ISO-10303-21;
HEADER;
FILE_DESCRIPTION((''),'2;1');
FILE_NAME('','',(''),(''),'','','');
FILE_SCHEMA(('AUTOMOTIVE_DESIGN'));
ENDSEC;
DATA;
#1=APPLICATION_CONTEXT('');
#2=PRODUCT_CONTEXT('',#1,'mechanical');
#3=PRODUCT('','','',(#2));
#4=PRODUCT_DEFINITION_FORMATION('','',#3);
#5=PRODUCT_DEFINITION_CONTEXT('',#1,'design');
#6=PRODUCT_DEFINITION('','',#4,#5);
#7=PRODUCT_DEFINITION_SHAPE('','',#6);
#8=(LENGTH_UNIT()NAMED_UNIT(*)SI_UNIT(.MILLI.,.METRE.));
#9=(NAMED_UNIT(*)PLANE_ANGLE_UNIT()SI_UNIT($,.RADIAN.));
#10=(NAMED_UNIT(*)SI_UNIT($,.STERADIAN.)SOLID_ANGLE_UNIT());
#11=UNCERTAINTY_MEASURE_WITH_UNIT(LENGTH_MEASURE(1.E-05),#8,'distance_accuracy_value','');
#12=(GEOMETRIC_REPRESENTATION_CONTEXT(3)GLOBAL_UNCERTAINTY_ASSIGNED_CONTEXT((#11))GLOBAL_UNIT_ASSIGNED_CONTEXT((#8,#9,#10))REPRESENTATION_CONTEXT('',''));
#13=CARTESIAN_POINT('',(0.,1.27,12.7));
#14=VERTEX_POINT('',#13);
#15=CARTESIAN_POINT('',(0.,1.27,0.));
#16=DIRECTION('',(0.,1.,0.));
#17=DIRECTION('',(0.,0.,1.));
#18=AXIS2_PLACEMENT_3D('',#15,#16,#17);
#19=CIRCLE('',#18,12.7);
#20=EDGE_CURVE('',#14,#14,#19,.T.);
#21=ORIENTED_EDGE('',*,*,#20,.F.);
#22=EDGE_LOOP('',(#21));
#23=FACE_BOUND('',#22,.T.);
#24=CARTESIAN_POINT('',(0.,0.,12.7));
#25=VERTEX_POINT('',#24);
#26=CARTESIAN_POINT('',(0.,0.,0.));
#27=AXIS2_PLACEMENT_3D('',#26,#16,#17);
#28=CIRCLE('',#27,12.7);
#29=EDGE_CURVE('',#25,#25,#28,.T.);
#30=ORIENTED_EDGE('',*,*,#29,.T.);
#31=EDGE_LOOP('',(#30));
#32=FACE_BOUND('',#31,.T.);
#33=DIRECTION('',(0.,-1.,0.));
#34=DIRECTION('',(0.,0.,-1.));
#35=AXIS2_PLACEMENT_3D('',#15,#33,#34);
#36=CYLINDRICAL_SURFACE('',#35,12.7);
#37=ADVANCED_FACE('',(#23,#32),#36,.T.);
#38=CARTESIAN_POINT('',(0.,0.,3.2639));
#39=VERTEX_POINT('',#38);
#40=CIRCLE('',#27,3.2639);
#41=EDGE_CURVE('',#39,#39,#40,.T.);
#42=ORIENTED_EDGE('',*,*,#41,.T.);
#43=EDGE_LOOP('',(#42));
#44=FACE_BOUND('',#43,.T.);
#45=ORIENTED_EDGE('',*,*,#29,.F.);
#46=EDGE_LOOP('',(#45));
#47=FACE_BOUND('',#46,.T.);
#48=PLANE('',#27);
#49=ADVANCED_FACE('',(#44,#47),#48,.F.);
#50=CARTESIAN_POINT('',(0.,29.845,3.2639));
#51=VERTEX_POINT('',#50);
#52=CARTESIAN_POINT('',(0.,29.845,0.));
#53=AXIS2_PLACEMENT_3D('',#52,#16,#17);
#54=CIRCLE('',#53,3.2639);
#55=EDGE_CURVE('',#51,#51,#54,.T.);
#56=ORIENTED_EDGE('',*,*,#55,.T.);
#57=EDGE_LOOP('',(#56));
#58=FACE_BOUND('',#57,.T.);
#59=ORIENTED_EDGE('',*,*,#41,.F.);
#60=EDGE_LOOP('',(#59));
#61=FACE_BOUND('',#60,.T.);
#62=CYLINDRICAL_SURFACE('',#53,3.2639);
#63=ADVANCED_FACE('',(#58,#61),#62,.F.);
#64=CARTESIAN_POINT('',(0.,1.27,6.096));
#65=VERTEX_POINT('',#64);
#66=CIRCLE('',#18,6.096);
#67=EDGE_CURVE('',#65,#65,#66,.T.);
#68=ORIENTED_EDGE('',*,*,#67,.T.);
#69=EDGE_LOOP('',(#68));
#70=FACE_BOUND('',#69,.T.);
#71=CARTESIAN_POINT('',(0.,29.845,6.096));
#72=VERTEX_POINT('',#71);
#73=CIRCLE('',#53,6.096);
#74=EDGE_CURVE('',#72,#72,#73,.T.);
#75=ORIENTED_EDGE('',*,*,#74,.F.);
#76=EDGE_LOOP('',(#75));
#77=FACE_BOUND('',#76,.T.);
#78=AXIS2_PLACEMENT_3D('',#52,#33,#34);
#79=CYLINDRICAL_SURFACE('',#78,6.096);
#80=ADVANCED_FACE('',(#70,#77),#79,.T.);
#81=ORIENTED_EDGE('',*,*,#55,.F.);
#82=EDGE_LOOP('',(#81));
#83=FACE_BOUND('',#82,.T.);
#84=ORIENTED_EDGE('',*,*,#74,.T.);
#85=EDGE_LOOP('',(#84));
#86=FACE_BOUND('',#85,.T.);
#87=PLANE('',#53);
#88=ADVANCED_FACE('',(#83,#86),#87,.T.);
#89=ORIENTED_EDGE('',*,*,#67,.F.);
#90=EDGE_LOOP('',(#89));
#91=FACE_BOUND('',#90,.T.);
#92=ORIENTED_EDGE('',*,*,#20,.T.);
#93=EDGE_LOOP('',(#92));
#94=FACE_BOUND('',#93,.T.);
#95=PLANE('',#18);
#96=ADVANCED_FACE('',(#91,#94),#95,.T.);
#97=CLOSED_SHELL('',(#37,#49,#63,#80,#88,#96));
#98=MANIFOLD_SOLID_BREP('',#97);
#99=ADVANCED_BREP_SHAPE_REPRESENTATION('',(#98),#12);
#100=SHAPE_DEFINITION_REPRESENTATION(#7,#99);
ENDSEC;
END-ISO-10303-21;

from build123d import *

# Parameters (mm, degrees)
SKETCH1_R                = 12.7
BOSS_EXTRUDE1_DEPTH      = 1.27
SKETCH2_R                = 6.096
BOSS_EXTRUDE2_DEPTH      = 28.575
F_5_16_18_TAPPED_HOLE1_D = 6.5278


with BuildPart() as part:
    # Sketch1 → Boss-Extrude1 (new body)
    with BuildSketch(Plane(origin=(0, 0, 0), x_dir=(1, 0, 0), z_dir=(0, 1, 0))):
        Circle(SKETCH1_R)
    extrude(amount=BOSS_EXTRUDE1_DEPTH)

    # Sketch2 → Boss-Extrude2 (add)
    with BuildSketch(Plane(origin=(0, 1.27, 0), x_dir=(1, 0, 0), z_dir=(0, 1, 0))):
        Circle(SKETCH2_R)
    extrude(amount=BOSS_EXTRUDE2_DEPTH)

    # 5/16-18 Tapped Hole1 (through all)
    with Locations(Plane(origin=(0, 29.845, 0), x_dir=(1, 0, 0), z_dir=(0, 1, 0))):
        with Locations((0, 0)):
            Hole(F_5_16_18_TAPPED_HOLE1_D / 2)


solid = part.part
